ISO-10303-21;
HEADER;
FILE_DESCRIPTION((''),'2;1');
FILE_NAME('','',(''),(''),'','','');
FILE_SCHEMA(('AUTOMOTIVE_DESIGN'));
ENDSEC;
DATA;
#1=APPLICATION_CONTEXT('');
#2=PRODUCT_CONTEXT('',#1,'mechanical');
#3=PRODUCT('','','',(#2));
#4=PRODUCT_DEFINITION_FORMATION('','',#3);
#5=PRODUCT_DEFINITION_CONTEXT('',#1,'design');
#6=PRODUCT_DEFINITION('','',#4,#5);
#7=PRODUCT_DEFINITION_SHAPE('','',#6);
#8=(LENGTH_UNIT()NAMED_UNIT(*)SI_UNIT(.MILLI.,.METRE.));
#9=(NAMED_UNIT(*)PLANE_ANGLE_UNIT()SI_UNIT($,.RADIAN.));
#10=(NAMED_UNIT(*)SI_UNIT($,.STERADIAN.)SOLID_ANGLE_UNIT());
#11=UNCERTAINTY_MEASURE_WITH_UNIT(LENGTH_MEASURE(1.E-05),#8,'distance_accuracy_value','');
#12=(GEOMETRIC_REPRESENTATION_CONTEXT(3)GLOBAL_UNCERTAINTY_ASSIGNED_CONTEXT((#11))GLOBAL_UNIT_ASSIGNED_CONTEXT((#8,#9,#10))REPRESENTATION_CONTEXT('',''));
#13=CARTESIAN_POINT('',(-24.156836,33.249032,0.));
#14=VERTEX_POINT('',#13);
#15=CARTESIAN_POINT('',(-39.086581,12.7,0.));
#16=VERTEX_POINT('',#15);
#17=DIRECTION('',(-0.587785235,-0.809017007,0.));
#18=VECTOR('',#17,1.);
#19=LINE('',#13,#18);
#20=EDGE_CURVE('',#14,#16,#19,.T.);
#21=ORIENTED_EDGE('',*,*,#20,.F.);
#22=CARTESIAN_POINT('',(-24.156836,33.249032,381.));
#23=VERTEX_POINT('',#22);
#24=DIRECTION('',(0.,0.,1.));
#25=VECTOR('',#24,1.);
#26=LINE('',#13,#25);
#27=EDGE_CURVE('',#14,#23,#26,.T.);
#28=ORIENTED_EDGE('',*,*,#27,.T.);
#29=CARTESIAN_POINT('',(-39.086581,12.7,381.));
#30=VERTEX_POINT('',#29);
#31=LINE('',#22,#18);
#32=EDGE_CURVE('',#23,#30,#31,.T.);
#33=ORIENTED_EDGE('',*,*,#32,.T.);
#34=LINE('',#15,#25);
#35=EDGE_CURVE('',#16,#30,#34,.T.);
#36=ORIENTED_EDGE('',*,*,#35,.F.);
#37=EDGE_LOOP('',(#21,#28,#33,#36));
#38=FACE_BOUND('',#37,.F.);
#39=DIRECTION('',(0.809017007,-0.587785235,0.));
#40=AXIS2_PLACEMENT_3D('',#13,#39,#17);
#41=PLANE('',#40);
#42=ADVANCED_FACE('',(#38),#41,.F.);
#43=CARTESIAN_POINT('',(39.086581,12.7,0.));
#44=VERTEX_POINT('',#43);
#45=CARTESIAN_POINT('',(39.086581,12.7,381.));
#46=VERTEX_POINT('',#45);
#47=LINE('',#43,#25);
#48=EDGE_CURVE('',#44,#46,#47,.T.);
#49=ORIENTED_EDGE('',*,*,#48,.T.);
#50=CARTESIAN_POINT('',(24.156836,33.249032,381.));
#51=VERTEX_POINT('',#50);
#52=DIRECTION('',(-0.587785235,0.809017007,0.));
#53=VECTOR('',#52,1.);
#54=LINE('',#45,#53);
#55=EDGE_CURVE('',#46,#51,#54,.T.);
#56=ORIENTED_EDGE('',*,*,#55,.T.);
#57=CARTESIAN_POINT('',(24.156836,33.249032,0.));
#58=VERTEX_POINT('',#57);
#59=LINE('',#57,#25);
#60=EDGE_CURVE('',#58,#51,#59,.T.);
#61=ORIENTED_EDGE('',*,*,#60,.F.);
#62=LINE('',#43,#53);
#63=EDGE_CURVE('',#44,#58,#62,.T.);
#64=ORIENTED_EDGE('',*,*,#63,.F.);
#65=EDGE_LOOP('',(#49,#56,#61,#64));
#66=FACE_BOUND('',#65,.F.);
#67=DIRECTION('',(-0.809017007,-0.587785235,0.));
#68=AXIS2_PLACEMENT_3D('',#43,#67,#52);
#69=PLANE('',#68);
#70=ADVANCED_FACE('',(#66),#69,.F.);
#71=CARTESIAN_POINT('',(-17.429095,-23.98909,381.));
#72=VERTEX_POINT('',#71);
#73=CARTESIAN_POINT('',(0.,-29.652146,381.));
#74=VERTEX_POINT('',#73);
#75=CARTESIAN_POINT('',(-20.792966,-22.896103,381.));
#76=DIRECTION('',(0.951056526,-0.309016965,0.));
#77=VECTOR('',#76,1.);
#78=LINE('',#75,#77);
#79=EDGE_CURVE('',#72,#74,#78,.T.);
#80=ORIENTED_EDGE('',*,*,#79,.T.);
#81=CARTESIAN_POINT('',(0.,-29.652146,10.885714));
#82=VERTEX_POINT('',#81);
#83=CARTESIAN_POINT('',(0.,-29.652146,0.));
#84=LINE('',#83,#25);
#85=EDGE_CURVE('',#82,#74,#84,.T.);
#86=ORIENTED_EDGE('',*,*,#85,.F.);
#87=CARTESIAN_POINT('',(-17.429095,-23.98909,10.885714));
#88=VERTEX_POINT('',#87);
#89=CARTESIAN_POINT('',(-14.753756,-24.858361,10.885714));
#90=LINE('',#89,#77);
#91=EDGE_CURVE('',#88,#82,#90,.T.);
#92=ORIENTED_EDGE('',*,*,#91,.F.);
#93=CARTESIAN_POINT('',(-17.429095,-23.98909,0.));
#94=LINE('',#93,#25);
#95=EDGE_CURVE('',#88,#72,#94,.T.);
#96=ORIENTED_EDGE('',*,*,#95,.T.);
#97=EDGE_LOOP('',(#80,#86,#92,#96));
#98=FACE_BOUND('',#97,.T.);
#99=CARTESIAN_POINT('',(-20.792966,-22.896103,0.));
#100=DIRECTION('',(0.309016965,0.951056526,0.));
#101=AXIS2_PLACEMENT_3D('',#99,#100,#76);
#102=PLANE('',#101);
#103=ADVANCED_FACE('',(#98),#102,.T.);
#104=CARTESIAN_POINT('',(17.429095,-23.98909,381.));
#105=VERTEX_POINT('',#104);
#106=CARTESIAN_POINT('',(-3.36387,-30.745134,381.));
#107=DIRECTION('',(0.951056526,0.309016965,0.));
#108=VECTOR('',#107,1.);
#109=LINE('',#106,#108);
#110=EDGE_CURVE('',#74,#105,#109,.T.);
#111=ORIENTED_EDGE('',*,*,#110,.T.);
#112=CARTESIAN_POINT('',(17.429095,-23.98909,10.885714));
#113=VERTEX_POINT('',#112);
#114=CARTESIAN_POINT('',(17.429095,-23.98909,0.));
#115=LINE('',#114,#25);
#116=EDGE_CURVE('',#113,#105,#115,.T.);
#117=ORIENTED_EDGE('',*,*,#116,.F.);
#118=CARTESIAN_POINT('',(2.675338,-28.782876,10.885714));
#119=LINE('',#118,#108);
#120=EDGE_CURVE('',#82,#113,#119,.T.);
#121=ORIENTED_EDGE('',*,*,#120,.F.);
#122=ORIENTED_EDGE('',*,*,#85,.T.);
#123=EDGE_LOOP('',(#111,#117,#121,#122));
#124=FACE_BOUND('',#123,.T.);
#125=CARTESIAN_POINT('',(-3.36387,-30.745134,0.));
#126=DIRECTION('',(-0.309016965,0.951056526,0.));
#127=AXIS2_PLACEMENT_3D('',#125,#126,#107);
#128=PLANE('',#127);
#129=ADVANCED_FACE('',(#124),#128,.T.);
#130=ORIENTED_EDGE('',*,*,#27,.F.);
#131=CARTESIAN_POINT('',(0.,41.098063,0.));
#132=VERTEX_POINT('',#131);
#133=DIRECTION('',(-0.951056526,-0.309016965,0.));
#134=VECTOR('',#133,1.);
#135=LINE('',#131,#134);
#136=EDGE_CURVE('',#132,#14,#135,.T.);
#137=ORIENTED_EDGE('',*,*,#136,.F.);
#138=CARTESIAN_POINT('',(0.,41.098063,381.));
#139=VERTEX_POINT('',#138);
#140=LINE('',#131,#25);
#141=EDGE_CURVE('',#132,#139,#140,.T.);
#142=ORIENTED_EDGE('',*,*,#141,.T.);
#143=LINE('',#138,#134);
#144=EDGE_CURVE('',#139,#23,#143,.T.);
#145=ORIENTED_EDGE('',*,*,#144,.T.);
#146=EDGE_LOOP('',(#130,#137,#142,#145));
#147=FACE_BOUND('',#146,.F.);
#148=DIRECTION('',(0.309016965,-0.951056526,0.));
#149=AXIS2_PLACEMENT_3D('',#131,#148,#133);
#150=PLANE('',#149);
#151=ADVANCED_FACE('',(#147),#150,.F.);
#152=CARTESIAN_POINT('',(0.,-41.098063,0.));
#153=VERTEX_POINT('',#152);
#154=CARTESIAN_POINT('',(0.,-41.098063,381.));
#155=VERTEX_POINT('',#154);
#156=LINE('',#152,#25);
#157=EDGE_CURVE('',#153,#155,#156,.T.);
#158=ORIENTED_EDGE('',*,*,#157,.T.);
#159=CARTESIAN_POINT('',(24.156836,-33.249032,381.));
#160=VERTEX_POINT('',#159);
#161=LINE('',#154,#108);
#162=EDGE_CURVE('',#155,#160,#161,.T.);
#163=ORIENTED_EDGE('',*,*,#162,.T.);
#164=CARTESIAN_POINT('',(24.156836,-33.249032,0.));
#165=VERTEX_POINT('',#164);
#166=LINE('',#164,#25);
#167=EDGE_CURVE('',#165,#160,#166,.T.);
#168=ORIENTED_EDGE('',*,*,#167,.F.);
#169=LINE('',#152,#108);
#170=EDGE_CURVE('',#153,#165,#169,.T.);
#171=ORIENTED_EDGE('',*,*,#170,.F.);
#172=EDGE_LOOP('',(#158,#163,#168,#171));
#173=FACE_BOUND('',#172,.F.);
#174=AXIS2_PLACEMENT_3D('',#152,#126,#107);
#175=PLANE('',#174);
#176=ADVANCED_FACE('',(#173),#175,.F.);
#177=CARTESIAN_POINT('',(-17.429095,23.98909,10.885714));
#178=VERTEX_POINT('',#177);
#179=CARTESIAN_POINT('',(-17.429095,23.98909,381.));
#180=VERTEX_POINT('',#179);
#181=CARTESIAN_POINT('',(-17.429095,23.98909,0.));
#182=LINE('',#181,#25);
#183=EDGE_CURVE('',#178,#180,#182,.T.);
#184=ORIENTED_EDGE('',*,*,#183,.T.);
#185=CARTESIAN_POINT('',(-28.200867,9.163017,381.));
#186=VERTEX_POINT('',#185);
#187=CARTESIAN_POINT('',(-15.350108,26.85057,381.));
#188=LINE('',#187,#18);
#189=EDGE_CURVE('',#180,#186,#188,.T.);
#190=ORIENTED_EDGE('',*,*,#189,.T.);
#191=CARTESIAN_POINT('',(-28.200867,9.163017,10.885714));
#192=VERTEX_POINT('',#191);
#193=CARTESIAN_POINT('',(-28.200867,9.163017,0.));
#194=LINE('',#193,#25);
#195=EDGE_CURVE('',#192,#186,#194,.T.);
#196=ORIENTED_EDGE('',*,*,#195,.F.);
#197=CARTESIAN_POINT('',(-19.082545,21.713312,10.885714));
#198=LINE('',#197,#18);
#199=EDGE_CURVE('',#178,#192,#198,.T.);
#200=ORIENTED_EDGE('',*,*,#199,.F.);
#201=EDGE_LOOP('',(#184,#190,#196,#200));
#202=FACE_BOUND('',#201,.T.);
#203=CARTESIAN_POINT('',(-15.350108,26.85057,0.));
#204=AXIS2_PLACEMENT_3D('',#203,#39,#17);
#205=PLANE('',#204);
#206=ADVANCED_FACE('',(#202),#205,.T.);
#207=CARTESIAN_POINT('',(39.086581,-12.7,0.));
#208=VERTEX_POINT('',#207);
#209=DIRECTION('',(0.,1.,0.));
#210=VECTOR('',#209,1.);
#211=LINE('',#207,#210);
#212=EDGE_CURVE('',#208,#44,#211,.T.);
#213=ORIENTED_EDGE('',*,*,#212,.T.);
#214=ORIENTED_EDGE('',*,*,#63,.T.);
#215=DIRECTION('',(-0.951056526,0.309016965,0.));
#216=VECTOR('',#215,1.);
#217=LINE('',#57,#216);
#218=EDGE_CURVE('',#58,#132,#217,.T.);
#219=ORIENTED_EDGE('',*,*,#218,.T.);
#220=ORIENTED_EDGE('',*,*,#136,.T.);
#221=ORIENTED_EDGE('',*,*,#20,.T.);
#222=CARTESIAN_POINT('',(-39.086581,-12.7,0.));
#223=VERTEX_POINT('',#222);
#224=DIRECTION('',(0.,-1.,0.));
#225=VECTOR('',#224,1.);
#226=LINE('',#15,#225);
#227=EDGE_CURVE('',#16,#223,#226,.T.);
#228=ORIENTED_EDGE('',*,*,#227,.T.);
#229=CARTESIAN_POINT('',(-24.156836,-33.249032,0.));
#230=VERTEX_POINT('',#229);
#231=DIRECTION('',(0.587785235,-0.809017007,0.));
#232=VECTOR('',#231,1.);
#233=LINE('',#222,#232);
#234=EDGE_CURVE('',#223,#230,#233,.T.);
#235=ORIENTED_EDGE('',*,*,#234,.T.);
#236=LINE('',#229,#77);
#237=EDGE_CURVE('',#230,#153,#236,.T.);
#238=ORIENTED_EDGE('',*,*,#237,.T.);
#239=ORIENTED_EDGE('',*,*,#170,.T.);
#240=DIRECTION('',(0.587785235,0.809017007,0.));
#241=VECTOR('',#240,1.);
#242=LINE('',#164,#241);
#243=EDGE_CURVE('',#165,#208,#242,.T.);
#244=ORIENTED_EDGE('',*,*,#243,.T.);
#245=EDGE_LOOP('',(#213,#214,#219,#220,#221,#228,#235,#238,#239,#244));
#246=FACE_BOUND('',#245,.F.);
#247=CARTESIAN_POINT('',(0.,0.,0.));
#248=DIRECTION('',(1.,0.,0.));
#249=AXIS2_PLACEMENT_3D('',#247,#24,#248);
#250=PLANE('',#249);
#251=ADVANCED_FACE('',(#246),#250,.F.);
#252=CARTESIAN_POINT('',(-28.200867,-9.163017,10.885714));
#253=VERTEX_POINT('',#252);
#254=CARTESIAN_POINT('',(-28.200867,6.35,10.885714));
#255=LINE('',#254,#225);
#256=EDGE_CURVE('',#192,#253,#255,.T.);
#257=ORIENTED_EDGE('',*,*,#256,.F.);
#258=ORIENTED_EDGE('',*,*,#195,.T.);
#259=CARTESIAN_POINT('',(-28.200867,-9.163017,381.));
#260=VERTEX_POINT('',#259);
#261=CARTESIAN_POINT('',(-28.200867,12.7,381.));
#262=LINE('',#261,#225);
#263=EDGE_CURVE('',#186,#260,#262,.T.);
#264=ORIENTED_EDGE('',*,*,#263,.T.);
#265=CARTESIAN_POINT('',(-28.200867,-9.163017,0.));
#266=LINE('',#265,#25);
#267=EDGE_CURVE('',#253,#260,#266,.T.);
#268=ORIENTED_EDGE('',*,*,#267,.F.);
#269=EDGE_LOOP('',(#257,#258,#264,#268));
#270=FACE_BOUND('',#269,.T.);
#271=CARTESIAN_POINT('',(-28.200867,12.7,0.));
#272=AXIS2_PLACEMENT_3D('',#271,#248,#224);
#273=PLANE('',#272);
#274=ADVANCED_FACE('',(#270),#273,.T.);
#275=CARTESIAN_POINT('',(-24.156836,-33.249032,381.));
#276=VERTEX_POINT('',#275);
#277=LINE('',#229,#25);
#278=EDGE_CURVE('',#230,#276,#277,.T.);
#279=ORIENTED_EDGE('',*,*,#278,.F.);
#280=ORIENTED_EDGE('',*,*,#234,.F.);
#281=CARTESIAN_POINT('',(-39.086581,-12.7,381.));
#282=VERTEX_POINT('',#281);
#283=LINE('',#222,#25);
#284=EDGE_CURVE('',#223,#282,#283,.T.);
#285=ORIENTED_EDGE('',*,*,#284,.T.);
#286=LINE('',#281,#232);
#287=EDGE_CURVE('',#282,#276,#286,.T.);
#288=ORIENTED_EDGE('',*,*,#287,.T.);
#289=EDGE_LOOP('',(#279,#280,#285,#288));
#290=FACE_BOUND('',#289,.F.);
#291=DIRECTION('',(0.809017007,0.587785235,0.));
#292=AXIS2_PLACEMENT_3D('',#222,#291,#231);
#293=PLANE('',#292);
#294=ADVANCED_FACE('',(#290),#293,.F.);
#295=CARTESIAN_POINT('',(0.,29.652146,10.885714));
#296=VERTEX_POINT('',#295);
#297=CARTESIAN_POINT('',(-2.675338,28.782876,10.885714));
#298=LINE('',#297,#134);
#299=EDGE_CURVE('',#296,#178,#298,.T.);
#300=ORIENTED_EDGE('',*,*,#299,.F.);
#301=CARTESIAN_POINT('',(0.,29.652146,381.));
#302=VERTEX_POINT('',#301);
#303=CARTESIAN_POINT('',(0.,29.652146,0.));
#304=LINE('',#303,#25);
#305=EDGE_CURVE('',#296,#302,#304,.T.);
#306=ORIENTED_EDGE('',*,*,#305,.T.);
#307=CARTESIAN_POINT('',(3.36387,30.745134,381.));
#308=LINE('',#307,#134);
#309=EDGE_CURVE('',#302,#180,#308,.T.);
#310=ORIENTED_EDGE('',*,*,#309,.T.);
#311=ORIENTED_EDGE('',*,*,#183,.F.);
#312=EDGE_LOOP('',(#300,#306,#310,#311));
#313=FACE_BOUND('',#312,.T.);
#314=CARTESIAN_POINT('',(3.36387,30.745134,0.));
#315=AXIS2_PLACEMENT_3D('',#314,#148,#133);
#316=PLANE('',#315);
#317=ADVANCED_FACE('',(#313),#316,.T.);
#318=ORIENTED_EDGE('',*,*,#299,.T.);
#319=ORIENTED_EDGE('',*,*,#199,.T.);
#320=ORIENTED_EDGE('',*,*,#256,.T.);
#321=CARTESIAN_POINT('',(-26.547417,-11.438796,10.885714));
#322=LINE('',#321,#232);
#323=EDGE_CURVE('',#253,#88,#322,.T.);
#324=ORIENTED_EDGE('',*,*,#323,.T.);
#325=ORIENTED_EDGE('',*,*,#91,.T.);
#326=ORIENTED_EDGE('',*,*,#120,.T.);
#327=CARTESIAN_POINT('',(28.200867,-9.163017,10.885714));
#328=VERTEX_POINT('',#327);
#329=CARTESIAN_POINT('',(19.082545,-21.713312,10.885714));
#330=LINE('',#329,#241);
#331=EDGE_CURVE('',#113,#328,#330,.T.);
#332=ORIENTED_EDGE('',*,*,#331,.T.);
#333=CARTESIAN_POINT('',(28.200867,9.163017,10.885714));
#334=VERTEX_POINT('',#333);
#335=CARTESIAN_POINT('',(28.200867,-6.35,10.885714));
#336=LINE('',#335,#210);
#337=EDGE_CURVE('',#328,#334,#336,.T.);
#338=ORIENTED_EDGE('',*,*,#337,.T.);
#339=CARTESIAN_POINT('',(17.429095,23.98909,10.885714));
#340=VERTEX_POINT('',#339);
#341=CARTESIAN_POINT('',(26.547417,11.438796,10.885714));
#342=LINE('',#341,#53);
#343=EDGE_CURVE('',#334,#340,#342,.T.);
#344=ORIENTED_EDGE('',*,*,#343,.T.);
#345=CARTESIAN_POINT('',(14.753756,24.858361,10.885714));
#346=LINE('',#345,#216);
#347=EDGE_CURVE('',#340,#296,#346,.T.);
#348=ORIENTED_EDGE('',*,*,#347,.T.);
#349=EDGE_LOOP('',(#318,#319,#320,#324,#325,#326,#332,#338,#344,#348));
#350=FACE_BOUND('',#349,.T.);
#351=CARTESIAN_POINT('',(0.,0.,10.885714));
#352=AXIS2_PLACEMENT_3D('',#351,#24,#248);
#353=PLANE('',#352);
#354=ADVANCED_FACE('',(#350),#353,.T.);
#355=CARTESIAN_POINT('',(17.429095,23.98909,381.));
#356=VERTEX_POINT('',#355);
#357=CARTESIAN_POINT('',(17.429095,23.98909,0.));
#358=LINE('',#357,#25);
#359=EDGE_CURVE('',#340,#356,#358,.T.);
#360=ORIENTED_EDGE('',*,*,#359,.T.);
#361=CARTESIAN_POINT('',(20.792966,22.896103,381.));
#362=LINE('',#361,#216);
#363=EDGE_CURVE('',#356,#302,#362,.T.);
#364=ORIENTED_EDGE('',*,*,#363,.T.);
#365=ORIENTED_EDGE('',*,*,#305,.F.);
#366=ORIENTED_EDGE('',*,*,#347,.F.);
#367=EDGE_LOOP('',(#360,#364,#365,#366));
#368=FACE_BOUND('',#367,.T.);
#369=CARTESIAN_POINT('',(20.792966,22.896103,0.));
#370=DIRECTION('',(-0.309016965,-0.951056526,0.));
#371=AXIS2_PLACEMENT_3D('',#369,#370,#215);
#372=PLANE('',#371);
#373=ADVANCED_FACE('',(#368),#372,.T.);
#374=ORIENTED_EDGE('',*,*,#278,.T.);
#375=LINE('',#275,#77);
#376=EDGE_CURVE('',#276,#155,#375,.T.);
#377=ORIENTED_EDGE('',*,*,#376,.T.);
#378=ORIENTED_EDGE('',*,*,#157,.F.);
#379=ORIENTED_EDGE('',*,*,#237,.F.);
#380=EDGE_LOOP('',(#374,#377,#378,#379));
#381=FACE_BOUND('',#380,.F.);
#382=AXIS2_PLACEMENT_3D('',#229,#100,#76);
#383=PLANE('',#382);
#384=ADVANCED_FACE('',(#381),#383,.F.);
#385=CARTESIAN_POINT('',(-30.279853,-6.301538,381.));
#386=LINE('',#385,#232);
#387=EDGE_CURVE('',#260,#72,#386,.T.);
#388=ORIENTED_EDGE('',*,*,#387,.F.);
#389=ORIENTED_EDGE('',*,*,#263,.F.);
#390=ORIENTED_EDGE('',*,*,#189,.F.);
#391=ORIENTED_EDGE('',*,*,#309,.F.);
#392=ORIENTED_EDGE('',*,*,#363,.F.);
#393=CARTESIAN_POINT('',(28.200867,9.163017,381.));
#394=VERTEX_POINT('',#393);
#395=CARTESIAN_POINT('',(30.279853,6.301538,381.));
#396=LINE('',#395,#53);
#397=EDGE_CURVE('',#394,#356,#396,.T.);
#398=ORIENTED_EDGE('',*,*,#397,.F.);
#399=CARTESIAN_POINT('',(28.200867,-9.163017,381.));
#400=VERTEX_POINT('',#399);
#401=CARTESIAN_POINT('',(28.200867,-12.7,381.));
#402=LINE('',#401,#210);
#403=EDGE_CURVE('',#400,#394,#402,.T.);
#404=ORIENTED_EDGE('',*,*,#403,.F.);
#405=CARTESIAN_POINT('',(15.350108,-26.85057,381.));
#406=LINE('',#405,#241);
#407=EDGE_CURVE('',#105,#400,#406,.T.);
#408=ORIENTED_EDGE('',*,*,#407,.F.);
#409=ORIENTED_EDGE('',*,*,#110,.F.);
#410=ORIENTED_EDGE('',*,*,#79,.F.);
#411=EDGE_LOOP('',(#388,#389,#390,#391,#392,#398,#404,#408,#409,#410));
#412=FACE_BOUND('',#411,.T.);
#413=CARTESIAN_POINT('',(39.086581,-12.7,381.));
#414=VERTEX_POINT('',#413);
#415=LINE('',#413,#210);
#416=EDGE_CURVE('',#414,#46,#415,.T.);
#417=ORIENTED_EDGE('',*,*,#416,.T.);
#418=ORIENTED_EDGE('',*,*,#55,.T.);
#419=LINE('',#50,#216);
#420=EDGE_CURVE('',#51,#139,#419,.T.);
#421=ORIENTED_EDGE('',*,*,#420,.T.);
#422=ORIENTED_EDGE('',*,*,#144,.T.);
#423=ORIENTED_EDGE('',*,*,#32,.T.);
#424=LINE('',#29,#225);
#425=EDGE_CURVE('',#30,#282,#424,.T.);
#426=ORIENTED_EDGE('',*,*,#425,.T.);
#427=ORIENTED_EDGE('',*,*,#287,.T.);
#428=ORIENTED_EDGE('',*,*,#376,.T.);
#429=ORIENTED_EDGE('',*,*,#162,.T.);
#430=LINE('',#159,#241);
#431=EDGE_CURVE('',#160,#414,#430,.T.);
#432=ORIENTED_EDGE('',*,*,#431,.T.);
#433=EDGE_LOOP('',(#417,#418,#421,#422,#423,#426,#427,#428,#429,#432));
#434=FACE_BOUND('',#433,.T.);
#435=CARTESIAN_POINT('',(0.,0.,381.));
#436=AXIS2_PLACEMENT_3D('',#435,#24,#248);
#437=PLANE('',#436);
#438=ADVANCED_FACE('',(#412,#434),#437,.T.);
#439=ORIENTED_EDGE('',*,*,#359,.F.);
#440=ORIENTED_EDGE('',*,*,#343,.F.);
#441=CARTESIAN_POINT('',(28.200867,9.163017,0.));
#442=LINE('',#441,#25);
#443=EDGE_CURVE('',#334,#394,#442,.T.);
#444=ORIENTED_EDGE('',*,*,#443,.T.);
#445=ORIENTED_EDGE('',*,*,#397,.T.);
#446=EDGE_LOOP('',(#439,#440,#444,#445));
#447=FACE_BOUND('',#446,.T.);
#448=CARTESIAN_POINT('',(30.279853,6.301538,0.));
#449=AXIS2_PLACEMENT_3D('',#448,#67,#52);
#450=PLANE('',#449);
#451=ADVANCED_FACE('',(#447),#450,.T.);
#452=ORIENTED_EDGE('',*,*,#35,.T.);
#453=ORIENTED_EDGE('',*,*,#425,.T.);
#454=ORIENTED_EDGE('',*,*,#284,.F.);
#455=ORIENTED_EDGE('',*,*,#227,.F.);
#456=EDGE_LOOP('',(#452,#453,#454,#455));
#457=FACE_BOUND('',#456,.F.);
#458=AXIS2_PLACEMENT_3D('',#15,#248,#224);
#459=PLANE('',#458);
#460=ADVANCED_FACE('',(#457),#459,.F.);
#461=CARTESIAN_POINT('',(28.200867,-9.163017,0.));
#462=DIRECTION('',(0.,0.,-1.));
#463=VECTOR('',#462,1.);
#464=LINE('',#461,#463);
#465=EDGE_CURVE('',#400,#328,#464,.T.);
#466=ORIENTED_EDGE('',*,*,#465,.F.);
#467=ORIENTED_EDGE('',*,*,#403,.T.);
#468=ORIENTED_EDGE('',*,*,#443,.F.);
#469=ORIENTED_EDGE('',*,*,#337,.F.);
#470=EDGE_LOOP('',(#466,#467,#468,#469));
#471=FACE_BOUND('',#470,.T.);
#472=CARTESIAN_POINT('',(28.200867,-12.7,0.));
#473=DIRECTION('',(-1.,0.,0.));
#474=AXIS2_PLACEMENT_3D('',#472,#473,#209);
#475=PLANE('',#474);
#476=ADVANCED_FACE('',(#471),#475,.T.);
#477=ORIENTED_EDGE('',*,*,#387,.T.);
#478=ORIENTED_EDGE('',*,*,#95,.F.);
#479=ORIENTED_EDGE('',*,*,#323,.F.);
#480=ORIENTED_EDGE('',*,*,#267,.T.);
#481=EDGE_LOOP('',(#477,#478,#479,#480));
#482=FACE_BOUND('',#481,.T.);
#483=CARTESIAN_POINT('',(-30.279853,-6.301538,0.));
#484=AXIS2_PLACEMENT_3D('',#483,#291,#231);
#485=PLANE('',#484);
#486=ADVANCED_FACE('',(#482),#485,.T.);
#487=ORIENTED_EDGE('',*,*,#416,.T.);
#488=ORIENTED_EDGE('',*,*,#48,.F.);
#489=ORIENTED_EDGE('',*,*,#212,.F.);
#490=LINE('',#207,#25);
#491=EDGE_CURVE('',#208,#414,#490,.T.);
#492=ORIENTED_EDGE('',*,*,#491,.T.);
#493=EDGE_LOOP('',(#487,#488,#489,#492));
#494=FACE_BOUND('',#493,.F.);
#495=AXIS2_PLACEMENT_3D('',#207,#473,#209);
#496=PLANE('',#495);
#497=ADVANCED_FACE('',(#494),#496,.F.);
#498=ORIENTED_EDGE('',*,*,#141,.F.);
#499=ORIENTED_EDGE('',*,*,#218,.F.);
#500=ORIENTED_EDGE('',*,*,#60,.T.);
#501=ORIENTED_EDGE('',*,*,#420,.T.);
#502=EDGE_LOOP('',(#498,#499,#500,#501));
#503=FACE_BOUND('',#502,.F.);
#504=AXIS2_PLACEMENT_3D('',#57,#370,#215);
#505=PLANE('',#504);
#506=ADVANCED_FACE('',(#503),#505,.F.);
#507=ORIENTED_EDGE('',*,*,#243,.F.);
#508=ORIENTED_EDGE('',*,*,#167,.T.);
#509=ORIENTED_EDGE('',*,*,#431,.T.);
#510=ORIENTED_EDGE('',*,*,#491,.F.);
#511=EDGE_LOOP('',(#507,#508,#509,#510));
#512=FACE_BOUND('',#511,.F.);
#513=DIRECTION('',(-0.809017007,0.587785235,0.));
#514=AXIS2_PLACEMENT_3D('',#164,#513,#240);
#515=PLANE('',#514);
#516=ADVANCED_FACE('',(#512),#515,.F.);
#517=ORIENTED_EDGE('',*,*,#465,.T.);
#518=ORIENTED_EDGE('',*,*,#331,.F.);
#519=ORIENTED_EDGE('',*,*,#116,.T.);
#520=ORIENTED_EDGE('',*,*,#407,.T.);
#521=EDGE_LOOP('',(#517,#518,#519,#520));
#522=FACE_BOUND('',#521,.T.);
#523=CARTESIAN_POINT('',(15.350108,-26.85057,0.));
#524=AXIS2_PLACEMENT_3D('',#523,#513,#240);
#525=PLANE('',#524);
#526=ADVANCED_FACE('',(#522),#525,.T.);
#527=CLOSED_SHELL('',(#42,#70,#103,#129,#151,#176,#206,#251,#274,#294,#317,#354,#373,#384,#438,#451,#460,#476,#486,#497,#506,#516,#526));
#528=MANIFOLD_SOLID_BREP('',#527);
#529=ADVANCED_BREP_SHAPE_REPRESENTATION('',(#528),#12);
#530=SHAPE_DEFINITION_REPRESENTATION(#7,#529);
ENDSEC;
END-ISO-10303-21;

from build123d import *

# Parameters (mm, degrees)
F1_DEPTH = 381
F2_T     = -10.885714


with BuildPart() as f1:
    # F0 (on Top) → F1 (new body)
    with BuildSketch(Plane.XY):
        Polygon((39.086581, -12.7), (39.086581, 12.7), (24.156836, 33.249032), (0, 41.098063), (-24.156836, 33.249032), (-39.086581, 12.7), (-39.086581, -12.7), (-24.156836, -33.249032), (0, -41.098063), (24.156836, -33.249032), align=None)
    extrude(amount=F1_DEPTH)

    # F2
    f2_openings = [f1.faces().sort_by_distance(p)[0] for p in [
        (0, 0, 381),
    ]]
    offset(amount=F2_T, openings=f2_openings)


solid = f1.part
